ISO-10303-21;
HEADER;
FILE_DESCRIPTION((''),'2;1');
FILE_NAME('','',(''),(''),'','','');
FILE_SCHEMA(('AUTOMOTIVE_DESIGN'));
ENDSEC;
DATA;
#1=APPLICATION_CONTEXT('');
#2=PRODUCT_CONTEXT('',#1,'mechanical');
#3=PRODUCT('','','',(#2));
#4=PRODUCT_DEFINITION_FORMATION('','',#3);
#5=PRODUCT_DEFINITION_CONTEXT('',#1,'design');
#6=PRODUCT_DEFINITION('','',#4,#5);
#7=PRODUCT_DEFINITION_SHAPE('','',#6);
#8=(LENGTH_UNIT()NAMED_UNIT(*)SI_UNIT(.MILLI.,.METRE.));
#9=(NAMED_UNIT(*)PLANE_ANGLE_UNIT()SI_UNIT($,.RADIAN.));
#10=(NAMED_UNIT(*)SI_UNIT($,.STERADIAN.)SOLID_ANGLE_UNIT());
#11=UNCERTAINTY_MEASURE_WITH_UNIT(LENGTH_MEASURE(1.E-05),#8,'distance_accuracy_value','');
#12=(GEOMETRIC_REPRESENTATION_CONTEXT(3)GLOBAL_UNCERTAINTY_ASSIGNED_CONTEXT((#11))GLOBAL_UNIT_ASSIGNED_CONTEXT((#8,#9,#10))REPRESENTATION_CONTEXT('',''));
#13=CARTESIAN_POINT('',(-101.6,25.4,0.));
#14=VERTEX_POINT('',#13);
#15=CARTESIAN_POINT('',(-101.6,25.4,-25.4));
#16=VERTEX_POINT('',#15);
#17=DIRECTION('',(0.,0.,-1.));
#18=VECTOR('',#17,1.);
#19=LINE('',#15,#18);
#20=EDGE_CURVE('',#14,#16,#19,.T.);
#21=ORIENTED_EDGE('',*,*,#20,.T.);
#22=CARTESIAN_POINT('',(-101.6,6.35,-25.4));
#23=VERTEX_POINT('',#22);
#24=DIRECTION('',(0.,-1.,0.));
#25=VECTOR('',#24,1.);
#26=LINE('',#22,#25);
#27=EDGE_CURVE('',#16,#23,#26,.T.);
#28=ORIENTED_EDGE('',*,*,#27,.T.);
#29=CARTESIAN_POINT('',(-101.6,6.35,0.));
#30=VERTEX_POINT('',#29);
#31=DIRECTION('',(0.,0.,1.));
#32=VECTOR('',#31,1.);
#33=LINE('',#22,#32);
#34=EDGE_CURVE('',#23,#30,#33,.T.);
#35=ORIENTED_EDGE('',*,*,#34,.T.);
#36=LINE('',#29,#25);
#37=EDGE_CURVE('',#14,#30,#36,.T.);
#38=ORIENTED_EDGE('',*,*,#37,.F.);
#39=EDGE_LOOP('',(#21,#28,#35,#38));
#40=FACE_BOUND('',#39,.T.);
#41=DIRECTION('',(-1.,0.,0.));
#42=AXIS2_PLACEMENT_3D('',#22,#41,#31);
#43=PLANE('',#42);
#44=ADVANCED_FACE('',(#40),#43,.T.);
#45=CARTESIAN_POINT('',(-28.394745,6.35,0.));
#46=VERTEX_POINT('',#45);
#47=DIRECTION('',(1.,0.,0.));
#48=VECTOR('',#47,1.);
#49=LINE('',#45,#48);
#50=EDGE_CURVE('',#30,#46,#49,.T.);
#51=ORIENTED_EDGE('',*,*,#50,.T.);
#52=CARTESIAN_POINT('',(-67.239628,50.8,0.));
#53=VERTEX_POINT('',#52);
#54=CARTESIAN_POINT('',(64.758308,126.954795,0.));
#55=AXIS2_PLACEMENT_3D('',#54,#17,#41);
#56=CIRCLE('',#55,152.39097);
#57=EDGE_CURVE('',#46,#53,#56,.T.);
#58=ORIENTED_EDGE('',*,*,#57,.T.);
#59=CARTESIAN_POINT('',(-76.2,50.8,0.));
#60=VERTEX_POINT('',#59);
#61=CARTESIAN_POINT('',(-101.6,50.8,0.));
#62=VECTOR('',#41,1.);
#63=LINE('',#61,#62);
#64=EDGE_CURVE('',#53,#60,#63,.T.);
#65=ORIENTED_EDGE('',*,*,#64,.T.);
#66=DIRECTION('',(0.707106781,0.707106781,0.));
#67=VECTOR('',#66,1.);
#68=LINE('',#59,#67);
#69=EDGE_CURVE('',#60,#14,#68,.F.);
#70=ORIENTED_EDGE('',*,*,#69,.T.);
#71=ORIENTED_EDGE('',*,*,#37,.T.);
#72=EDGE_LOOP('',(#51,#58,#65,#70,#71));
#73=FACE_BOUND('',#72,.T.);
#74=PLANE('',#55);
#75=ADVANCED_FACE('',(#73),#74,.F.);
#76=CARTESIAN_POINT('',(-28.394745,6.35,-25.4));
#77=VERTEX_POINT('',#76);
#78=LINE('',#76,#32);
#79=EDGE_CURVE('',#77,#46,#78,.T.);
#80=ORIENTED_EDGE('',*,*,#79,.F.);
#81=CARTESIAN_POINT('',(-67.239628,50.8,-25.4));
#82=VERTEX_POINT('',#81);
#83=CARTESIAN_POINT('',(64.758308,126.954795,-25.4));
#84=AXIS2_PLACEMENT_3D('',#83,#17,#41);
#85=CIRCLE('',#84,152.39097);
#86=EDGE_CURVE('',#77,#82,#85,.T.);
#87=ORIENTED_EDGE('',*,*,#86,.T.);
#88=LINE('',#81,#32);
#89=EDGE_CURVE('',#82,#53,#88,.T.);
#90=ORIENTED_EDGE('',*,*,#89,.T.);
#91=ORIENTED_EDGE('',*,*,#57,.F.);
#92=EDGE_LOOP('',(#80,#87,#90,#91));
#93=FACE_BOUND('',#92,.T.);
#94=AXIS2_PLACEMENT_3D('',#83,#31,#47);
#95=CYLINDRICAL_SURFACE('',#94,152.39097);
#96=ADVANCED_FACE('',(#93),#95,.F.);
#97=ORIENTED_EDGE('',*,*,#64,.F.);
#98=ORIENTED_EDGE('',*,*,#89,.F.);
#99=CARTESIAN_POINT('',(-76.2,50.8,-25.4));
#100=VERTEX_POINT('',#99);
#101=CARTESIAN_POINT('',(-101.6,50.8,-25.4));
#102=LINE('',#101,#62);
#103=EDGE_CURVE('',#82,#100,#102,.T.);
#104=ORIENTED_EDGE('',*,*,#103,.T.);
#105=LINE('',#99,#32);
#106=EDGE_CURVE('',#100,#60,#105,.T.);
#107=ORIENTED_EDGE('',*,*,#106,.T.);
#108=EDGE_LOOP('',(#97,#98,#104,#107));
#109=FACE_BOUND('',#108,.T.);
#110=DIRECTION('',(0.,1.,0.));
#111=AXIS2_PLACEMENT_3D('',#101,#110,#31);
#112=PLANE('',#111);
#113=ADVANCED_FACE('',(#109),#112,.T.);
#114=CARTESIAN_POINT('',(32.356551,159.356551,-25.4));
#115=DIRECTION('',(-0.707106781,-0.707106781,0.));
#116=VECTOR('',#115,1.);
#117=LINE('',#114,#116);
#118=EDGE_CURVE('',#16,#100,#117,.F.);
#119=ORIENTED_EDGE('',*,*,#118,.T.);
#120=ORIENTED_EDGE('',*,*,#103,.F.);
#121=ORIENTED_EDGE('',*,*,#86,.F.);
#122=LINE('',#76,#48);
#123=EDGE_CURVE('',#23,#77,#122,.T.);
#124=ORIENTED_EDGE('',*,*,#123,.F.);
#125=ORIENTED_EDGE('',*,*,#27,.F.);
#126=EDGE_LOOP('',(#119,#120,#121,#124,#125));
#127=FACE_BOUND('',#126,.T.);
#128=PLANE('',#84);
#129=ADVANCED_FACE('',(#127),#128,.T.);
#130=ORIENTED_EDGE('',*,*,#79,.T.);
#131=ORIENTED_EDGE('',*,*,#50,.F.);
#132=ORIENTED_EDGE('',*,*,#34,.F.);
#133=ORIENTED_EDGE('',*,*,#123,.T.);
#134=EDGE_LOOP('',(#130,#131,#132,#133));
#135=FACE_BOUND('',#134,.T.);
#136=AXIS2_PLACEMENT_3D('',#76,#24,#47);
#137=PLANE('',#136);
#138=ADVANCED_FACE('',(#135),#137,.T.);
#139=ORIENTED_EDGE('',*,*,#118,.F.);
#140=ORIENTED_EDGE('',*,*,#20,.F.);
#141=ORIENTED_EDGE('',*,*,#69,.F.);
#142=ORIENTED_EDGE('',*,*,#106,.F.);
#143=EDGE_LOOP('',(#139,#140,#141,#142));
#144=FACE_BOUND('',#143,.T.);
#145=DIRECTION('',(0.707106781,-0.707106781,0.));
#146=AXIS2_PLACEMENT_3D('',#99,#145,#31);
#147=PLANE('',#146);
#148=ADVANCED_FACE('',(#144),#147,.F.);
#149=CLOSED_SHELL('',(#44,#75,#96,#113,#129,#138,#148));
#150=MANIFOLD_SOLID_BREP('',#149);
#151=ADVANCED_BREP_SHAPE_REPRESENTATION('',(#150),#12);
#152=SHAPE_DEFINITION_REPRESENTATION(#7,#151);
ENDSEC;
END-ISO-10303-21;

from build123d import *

# Parameters (mm, degrees)
BOSS_EXTRUDE1_DEPTH = 25.4
CHAMFER1_SIZE       = 25.4


with BuildPart() as part:
    # Sketch2 → Boss-Extrude1 (new body)
    with BuildSketch(Plane.XY):
        with BuildLine():
            Line((-28.394744795, 6.35), (-101.6, 6.35))
            Line((-101.6, 6.35), (-101.6, 50.8))
            Line((-101.6, 50.8), (-67.239627541, 50.8))
            ThreePointArc((-67.239627541, 50.8), (-49.99007984, 26.676106864), (-28.394744795, 6.35))
        make_face()
    extrude(amount=-BOSS_EXTRUDE1_DEPTH)

    # Chamfer1
    chamfer1_edges = [part.edges().sort_by_distance(p)[0] for p in [
        (-101.6, 50.8, -12.7),
    ]]
    chamfer(chamfer1_edges, length=CHAMFER1_SIZE)


solid = part.part
